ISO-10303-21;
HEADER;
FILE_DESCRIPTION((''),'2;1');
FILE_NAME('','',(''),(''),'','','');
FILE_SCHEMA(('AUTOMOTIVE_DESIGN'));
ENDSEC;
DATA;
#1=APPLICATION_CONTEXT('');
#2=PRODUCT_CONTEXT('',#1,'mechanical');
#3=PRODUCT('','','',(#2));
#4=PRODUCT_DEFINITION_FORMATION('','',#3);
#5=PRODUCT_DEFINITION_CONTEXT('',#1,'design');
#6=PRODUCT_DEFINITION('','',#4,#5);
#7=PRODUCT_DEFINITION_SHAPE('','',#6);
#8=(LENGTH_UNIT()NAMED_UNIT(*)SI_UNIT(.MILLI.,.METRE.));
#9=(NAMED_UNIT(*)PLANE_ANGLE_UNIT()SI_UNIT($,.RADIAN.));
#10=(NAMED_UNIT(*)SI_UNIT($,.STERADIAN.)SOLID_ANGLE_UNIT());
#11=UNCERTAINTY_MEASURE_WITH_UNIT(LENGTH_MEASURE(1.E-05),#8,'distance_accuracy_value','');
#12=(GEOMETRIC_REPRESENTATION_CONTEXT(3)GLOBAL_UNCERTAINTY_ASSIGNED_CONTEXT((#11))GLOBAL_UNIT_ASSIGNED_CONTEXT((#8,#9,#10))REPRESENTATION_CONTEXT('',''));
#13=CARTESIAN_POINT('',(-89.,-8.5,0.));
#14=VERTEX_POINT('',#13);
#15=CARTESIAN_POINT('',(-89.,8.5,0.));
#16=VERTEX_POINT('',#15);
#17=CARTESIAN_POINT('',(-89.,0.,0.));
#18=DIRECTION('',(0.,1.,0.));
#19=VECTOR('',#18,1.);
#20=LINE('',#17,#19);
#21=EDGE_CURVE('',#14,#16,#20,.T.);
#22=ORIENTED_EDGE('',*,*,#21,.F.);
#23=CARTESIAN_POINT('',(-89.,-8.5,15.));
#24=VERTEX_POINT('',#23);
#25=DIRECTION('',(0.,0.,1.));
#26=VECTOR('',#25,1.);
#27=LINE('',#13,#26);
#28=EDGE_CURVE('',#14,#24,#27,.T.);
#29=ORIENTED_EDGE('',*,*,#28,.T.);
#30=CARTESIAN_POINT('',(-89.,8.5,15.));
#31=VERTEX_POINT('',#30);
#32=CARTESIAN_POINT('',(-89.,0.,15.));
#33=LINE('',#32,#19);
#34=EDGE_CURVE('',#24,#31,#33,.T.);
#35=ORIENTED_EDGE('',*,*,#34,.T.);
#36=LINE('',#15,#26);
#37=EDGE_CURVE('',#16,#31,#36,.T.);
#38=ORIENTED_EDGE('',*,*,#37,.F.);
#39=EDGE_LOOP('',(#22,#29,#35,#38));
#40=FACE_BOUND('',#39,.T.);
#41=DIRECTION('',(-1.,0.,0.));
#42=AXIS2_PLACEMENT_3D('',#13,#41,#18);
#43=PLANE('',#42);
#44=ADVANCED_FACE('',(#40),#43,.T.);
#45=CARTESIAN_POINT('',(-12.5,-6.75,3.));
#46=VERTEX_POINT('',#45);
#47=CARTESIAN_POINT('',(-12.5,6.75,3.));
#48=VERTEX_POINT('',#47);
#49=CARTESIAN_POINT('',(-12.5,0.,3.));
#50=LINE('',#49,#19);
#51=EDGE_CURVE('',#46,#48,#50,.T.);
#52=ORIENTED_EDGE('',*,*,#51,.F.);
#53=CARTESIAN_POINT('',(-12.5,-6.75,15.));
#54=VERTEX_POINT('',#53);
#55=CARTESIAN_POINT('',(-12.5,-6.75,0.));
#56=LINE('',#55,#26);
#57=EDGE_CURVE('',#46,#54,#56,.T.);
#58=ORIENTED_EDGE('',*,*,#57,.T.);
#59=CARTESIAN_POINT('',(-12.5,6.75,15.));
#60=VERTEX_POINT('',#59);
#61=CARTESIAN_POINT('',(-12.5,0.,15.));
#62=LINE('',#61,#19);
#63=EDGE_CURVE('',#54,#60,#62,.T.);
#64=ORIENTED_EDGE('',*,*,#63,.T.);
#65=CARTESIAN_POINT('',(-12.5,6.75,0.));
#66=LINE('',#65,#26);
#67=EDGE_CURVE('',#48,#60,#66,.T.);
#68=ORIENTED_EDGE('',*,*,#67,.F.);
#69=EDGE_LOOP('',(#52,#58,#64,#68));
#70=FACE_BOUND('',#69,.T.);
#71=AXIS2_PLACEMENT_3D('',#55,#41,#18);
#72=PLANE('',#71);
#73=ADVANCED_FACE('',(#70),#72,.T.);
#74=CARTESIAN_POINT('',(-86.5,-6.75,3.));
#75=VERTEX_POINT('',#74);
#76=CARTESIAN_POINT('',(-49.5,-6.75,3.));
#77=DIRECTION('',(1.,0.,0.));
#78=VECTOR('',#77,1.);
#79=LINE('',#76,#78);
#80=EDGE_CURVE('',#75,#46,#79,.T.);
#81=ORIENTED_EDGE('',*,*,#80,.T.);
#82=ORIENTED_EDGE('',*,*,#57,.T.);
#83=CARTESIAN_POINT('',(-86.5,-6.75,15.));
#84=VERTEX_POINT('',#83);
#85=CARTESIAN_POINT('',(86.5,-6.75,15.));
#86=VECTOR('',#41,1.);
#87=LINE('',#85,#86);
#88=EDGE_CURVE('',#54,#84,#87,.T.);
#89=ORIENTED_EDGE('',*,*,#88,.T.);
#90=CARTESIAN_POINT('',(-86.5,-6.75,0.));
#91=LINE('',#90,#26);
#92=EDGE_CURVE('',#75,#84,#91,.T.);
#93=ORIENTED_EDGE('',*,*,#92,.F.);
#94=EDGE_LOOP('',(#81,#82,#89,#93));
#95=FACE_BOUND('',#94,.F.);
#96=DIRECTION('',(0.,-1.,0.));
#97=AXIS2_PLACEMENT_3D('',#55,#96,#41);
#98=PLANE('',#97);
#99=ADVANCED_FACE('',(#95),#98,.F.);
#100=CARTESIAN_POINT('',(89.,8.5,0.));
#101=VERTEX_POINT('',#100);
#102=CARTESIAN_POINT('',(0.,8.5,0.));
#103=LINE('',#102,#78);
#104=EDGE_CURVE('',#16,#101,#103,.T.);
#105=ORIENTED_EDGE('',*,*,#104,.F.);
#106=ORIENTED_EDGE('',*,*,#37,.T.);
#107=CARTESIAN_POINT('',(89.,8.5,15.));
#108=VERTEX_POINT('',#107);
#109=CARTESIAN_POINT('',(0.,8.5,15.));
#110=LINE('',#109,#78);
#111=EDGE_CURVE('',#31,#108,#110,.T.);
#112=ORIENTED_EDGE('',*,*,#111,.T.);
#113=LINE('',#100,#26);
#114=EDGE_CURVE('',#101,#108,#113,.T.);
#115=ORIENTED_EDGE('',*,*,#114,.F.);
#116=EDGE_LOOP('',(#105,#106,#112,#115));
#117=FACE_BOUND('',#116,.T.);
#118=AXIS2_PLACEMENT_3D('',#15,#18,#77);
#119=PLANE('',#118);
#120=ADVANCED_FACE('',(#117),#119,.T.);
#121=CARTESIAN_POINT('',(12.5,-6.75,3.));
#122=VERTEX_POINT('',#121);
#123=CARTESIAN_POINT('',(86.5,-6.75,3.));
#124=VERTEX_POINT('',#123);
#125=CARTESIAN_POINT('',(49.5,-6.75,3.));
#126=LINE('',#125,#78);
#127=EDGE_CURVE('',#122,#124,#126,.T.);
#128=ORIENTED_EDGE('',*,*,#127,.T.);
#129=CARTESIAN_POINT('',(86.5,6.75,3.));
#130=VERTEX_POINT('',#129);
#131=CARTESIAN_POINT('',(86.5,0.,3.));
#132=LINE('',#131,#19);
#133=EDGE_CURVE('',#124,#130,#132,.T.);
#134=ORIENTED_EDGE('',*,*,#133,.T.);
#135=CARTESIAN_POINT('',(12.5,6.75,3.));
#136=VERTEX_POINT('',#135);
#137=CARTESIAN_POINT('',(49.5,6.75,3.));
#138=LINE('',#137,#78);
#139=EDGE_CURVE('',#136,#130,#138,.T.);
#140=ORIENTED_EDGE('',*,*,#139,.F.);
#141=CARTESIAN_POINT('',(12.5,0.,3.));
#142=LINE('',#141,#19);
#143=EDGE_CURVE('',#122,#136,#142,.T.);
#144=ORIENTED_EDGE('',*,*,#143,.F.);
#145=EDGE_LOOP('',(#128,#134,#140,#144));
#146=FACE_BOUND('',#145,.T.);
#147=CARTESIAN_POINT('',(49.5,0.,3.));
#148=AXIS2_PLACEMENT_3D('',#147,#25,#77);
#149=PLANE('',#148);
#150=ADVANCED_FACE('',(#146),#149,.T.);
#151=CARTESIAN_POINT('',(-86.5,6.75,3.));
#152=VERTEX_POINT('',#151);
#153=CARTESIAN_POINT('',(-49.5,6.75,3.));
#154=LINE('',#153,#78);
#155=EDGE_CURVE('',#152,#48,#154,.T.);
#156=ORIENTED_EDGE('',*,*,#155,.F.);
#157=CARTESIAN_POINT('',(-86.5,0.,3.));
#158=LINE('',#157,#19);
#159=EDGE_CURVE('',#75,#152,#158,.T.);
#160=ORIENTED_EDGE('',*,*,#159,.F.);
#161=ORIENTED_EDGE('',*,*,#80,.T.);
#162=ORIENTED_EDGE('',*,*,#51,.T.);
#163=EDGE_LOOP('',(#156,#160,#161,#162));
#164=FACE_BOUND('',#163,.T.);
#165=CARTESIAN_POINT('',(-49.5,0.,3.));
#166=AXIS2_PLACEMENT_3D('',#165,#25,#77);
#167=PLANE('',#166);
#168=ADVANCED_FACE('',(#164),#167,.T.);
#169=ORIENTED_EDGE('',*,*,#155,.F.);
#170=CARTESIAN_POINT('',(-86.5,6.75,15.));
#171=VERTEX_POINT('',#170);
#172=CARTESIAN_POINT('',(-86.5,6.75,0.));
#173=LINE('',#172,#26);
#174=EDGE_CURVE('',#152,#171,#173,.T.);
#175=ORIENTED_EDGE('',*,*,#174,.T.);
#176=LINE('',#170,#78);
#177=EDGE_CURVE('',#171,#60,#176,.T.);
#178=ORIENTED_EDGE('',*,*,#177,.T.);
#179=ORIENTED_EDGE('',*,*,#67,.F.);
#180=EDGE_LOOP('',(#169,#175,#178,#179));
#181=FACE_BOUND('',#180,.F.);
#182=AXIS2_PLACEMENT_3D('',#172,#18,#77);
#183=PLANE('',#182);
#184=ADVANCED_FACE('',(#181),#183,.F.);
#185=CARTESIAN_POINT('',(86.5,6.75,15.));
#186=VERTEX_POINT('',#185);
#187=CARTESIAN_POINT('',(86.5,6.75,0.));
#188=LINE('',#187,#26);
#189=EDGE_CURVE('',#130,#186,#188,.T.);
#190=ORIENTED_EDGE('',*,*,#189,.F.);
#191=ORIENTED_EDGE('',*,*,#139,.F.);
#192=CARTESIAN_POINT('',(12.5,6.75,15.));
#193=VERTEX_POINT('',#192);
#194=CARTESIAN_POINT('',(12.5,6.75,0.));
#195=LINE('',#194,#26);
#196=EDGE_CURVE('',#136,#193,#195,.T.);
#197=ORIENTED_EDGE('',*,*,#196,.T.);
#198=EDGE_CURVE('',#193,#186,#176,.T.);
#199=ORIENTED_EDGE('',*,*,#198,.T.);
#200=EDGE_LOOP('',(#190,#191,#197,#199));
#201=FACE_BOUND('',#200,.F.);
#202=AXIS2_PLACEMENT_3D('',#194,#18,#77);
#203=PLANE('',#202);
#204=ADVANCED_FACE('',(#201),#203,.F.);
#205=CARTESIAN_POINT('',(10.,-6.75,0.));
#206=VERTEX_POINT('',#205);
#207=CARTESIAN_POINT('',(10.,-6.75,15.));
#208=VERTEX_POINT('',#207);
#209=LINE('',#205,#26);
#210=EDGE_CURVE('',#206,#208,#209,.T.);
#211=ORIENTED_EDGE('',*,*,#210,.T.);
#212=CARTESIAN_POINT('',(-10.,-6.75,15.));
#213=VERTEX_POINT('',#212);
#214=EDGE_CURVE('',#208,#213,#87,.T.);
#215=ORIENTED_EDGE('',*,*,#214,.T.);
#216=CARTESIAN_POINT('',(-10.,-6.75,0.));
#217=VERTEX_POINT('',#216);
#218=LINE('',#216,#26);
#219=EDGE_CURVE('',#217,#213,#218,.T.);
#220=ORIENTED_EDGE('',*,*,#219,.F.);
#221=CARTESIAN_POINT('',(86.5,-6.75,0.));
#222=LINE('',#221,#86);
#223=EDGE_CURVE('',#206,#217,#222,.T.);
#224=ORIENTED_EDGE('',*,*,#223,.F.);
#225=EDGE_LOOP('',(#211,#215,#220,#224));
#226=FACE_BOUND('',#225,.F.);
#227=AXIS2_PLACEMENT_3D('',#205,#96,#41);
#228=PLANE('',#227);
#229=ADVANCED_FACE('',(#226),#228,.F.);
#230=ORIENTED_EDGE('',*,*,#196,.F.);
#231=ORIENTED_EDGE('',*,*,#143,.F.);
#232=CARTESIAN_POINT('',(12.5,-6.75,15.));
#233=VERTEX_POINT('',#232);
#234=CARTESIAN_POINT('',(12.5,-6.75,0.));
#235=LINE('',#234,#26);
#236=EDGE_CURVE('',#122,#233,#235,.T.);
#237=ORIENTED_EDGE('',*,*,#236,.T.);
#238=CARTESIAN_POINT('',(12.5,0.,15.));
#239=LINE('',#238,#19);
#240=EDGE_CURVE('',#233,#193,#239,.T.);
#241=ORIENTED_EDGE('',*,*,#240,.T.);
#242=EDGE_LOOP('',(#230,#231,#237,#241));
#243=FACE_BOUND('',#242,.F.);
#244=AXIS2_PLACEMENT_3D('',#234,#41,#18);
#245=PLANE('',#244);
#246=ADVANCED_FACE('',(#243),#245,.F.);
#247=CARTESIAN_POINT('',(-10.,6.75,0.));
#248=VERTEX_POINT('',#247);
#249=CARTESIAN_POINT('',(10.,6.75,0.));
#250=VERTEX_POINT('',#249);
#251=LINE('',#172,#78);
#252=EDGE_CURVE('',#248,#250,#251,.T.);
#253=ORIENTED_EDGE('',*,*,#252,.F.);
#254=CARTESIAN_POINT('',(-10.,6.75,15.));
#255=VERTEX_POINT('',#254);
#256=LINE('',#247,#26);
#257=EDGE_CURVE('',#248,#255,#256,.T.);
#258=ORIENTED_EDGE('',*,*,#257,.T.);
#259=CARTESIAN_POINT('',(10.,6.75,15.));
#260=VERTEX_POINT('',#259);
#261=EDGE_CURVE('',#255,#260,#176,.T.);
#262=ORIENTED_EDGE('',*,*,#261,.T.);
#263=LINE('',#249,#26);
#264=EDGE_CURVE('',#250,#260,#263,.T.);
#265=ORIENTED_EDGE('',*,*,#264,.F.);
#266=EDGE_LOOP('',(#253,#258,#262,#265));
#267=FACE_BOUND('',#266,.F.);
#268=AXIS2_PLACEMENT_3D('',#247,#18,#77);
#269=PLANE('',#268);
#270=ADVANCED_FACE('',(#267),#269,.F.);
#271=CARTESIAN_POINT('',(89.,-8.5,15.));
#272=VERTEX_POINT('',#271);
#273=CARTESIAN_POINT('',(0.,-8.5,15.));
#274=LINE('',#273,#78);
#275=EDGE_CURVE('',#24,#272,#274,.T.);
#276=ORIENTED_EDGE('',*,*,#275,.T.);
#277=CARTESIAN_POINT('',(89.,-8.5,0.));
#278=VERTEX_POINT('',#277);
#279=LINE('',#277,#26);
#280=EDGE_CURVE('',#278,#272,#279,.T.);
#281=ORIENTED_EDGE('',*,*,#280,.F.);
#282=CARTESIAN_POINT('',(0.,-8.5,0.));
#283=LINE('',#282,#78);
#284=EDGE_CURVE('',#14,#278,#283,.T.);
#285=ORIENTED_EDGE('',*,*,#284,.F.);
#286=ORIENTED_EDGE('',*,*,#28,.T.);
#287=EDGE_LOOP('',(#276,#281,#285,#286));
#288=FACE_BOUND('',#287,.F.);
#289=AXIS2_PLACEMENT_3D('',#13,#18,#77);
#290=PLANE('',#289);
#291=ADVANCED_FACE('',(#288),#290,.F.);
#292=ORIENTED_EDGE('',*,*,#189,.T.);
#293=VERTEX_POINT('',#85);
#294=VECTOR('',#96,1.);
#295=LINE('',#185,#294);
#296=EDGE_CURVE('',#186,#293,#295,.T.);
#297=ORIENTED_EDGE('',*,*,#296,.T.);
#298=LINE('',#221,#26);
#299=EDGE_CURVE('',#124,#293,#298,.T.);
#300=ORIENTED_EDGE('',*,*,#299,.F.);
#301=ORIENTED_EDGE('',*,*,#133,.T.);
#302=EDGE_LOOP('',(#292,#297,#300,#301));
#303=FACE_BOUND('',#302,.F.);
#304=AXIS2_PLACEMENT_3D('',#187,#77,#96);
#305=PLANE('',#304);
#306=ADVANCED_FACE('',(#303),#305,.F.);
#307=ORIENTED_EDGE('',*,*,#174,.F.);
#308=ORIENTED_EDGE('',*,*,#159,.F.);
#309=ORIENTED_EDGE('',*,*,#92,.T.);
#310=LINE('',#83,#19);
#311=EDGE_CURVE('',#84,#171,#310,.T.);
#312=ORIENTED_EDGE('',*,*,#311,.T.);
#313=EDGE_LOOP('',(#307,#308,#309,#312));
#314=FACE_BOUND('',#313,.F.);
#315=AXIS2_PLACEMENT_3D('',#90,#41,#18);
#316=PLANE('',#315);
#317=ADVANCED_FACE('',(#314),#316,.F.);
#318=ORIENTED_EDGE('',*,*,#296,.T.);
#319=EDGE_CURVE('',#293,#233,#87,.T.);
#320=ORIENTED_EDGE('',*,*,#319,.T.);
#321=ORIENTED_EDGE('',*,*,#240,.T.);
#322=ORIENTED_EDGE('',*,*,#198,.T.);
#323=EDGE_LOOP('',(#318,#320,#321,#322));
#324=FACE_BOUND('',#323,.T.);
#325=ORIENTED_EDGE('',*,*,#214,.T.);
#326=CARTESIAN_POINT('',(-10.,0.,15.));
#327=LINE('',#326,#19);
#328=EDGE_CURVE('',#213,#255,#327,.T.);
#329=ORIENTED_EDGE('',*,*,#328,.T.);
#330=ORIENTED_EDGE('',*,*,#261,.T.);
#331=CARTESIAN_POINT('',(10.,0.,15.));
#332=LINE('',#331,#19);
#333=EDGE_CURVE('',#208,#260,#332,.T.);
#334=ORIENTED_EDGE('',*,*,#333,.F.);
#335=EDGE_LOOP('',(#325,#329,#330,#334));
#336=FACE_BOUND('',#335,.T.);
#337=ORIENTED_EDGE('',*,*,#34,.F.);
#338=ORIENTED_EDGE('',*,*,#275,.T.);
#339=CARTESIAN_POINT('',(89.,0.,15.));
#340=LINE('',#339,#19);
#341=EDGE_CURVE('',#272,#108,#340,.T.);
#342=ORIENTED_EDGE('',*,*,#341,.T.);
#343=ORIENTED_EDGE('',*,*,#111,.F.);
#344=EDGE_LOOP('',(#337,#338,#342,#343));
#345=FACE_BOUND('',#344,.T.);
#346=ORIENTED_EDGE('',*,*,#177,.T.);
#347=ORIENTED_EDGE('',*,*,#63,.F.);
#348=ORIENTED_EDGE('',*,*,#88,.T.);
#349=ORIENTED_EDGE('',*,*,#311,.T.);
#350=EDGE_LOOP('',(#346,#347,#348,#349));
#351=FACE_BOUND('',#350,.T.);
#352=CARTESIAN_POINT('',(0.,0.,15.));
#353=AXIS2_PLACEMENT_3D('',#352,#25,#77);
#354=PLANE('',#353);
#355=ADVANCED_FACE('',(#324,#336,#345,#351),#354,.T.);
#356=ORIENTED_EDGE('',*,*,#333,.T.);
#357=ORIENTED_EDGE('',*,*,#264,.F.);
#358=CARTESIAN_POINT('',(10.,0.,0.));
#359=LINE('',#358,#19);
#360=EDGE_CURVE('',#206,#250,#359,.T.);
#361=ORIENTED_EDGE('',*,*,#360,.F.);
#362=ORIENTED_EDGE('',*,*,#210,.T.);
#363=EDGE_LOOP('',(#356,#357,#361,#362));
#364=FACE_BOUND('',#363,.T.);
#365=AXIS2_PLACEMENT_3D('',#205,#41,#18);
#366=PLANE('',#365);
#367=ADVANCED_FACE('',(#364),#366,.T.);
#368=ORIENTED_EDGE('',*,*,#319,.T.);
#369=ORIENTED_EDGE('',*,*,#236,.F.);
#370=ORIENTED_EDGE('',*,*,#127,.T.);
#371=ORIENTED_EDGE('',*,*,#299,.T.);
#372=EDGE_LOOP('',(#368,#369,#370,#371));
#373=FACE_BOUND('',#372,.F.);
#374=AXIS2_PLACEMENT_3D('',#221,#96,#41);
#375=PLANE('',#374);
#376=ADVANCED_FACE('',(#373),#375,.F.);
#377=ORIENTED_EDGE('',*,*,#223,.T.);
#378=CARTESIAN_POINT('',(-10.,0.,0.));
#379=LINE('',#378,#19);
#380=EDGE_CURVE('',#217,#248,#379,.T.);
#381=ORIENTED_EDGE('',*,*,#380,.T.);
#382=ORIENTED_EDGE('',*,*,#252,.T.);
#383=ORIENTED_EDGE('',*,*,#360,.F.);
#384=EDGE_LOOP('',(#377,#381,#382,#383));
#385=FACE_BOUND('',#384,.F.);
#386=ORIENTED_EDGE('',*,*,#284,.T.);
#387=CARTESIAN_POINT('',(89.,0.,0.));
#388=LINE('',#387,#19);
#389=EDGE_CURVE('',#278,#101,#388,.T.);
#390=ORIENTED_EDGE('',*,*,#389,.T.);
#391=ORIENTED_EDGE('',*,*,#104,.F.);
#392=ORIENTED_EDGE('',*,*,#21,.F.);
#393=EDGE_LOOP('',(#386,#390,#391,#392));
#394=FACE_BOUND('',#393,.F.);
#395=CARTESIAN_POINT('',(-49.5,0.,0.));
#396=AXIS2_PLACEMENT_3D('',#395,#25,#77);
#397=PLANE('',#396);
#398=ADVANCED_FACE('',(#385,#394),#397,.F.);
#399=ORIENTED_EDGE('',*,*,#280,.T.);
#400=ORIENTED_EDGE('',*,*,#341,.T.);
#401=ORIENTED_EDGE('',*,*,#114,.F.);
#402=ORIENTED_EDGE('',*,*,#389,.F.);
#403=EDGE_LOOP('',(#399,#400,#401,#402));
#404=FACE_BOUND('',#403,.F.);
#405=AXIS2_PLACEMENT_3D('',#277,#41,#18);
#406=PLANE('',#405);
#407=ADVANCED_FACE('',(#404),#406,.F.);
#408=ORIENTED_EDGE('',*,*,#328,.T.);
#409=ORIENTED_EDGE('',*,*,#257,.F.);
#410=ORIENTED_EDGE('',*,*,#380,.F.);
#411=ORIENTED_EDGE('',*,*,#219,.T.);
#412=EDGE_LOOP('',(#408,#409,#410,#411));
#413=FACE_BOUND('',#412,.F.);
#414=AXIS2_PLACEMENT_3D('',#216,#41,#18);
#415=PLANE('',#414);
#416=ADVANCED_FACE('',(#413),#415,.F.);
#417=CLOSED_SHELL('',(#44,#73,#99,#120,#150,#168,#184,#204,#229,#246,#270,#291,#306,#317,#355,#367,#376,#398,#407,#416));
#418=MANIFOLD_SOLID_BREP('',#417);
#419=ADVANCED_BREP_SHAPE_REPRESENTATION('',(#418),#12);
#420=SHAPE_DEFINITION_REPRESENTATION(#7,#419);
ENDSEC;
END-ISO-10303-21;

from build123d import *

# Parameters (mm, degrees)
F0_W     = 178
F0_H     = 17
F0_W_2   = 2.5
F0_H_2   = 13.5
F1_DEPTH = 15
F0_W_3   = 74
F2_DEPTH = 3


with BuildPart() as f1:
    # F0 (on Top) → F1 (new body)
    with BuildSketch(Plane.XY):
        Rectangle(F0_W, F0_H)
        Polygon((-10, -6.75), (-12.5, -6.75), (-86.5, -6.75), (-86.5, 6.75), (-12.5, 6.75), (-10, 6.75), (10, 6.75), (12.5, 6.75), (86.5, 6.75), (86.5, -6.75), (12.5, -6.75), (10, -6.75), align=None, mode=Mode.SUBTRACT)
        with Locations((-11.25, 0)):
            Rectangle(F0_W_2, F0_H_2)
        with Locations((11.25, 0)):
            Rectangle(F0_W_2, F0_H_2)
    extrude(amount=F1_DEPTH)

    # F0 (on Top) → F2 (join)
    with BuildSketch(Plane.XY):
        with Locations((-49.5, 0)):
            Rectangle(F0_W_3, F0_H_2)
        with Locations((49.5, 0)):
            Rectangle(F0_W_3, F0_H_2)
    extrude(amount=F2_DEPTH)


solid = f1.part
